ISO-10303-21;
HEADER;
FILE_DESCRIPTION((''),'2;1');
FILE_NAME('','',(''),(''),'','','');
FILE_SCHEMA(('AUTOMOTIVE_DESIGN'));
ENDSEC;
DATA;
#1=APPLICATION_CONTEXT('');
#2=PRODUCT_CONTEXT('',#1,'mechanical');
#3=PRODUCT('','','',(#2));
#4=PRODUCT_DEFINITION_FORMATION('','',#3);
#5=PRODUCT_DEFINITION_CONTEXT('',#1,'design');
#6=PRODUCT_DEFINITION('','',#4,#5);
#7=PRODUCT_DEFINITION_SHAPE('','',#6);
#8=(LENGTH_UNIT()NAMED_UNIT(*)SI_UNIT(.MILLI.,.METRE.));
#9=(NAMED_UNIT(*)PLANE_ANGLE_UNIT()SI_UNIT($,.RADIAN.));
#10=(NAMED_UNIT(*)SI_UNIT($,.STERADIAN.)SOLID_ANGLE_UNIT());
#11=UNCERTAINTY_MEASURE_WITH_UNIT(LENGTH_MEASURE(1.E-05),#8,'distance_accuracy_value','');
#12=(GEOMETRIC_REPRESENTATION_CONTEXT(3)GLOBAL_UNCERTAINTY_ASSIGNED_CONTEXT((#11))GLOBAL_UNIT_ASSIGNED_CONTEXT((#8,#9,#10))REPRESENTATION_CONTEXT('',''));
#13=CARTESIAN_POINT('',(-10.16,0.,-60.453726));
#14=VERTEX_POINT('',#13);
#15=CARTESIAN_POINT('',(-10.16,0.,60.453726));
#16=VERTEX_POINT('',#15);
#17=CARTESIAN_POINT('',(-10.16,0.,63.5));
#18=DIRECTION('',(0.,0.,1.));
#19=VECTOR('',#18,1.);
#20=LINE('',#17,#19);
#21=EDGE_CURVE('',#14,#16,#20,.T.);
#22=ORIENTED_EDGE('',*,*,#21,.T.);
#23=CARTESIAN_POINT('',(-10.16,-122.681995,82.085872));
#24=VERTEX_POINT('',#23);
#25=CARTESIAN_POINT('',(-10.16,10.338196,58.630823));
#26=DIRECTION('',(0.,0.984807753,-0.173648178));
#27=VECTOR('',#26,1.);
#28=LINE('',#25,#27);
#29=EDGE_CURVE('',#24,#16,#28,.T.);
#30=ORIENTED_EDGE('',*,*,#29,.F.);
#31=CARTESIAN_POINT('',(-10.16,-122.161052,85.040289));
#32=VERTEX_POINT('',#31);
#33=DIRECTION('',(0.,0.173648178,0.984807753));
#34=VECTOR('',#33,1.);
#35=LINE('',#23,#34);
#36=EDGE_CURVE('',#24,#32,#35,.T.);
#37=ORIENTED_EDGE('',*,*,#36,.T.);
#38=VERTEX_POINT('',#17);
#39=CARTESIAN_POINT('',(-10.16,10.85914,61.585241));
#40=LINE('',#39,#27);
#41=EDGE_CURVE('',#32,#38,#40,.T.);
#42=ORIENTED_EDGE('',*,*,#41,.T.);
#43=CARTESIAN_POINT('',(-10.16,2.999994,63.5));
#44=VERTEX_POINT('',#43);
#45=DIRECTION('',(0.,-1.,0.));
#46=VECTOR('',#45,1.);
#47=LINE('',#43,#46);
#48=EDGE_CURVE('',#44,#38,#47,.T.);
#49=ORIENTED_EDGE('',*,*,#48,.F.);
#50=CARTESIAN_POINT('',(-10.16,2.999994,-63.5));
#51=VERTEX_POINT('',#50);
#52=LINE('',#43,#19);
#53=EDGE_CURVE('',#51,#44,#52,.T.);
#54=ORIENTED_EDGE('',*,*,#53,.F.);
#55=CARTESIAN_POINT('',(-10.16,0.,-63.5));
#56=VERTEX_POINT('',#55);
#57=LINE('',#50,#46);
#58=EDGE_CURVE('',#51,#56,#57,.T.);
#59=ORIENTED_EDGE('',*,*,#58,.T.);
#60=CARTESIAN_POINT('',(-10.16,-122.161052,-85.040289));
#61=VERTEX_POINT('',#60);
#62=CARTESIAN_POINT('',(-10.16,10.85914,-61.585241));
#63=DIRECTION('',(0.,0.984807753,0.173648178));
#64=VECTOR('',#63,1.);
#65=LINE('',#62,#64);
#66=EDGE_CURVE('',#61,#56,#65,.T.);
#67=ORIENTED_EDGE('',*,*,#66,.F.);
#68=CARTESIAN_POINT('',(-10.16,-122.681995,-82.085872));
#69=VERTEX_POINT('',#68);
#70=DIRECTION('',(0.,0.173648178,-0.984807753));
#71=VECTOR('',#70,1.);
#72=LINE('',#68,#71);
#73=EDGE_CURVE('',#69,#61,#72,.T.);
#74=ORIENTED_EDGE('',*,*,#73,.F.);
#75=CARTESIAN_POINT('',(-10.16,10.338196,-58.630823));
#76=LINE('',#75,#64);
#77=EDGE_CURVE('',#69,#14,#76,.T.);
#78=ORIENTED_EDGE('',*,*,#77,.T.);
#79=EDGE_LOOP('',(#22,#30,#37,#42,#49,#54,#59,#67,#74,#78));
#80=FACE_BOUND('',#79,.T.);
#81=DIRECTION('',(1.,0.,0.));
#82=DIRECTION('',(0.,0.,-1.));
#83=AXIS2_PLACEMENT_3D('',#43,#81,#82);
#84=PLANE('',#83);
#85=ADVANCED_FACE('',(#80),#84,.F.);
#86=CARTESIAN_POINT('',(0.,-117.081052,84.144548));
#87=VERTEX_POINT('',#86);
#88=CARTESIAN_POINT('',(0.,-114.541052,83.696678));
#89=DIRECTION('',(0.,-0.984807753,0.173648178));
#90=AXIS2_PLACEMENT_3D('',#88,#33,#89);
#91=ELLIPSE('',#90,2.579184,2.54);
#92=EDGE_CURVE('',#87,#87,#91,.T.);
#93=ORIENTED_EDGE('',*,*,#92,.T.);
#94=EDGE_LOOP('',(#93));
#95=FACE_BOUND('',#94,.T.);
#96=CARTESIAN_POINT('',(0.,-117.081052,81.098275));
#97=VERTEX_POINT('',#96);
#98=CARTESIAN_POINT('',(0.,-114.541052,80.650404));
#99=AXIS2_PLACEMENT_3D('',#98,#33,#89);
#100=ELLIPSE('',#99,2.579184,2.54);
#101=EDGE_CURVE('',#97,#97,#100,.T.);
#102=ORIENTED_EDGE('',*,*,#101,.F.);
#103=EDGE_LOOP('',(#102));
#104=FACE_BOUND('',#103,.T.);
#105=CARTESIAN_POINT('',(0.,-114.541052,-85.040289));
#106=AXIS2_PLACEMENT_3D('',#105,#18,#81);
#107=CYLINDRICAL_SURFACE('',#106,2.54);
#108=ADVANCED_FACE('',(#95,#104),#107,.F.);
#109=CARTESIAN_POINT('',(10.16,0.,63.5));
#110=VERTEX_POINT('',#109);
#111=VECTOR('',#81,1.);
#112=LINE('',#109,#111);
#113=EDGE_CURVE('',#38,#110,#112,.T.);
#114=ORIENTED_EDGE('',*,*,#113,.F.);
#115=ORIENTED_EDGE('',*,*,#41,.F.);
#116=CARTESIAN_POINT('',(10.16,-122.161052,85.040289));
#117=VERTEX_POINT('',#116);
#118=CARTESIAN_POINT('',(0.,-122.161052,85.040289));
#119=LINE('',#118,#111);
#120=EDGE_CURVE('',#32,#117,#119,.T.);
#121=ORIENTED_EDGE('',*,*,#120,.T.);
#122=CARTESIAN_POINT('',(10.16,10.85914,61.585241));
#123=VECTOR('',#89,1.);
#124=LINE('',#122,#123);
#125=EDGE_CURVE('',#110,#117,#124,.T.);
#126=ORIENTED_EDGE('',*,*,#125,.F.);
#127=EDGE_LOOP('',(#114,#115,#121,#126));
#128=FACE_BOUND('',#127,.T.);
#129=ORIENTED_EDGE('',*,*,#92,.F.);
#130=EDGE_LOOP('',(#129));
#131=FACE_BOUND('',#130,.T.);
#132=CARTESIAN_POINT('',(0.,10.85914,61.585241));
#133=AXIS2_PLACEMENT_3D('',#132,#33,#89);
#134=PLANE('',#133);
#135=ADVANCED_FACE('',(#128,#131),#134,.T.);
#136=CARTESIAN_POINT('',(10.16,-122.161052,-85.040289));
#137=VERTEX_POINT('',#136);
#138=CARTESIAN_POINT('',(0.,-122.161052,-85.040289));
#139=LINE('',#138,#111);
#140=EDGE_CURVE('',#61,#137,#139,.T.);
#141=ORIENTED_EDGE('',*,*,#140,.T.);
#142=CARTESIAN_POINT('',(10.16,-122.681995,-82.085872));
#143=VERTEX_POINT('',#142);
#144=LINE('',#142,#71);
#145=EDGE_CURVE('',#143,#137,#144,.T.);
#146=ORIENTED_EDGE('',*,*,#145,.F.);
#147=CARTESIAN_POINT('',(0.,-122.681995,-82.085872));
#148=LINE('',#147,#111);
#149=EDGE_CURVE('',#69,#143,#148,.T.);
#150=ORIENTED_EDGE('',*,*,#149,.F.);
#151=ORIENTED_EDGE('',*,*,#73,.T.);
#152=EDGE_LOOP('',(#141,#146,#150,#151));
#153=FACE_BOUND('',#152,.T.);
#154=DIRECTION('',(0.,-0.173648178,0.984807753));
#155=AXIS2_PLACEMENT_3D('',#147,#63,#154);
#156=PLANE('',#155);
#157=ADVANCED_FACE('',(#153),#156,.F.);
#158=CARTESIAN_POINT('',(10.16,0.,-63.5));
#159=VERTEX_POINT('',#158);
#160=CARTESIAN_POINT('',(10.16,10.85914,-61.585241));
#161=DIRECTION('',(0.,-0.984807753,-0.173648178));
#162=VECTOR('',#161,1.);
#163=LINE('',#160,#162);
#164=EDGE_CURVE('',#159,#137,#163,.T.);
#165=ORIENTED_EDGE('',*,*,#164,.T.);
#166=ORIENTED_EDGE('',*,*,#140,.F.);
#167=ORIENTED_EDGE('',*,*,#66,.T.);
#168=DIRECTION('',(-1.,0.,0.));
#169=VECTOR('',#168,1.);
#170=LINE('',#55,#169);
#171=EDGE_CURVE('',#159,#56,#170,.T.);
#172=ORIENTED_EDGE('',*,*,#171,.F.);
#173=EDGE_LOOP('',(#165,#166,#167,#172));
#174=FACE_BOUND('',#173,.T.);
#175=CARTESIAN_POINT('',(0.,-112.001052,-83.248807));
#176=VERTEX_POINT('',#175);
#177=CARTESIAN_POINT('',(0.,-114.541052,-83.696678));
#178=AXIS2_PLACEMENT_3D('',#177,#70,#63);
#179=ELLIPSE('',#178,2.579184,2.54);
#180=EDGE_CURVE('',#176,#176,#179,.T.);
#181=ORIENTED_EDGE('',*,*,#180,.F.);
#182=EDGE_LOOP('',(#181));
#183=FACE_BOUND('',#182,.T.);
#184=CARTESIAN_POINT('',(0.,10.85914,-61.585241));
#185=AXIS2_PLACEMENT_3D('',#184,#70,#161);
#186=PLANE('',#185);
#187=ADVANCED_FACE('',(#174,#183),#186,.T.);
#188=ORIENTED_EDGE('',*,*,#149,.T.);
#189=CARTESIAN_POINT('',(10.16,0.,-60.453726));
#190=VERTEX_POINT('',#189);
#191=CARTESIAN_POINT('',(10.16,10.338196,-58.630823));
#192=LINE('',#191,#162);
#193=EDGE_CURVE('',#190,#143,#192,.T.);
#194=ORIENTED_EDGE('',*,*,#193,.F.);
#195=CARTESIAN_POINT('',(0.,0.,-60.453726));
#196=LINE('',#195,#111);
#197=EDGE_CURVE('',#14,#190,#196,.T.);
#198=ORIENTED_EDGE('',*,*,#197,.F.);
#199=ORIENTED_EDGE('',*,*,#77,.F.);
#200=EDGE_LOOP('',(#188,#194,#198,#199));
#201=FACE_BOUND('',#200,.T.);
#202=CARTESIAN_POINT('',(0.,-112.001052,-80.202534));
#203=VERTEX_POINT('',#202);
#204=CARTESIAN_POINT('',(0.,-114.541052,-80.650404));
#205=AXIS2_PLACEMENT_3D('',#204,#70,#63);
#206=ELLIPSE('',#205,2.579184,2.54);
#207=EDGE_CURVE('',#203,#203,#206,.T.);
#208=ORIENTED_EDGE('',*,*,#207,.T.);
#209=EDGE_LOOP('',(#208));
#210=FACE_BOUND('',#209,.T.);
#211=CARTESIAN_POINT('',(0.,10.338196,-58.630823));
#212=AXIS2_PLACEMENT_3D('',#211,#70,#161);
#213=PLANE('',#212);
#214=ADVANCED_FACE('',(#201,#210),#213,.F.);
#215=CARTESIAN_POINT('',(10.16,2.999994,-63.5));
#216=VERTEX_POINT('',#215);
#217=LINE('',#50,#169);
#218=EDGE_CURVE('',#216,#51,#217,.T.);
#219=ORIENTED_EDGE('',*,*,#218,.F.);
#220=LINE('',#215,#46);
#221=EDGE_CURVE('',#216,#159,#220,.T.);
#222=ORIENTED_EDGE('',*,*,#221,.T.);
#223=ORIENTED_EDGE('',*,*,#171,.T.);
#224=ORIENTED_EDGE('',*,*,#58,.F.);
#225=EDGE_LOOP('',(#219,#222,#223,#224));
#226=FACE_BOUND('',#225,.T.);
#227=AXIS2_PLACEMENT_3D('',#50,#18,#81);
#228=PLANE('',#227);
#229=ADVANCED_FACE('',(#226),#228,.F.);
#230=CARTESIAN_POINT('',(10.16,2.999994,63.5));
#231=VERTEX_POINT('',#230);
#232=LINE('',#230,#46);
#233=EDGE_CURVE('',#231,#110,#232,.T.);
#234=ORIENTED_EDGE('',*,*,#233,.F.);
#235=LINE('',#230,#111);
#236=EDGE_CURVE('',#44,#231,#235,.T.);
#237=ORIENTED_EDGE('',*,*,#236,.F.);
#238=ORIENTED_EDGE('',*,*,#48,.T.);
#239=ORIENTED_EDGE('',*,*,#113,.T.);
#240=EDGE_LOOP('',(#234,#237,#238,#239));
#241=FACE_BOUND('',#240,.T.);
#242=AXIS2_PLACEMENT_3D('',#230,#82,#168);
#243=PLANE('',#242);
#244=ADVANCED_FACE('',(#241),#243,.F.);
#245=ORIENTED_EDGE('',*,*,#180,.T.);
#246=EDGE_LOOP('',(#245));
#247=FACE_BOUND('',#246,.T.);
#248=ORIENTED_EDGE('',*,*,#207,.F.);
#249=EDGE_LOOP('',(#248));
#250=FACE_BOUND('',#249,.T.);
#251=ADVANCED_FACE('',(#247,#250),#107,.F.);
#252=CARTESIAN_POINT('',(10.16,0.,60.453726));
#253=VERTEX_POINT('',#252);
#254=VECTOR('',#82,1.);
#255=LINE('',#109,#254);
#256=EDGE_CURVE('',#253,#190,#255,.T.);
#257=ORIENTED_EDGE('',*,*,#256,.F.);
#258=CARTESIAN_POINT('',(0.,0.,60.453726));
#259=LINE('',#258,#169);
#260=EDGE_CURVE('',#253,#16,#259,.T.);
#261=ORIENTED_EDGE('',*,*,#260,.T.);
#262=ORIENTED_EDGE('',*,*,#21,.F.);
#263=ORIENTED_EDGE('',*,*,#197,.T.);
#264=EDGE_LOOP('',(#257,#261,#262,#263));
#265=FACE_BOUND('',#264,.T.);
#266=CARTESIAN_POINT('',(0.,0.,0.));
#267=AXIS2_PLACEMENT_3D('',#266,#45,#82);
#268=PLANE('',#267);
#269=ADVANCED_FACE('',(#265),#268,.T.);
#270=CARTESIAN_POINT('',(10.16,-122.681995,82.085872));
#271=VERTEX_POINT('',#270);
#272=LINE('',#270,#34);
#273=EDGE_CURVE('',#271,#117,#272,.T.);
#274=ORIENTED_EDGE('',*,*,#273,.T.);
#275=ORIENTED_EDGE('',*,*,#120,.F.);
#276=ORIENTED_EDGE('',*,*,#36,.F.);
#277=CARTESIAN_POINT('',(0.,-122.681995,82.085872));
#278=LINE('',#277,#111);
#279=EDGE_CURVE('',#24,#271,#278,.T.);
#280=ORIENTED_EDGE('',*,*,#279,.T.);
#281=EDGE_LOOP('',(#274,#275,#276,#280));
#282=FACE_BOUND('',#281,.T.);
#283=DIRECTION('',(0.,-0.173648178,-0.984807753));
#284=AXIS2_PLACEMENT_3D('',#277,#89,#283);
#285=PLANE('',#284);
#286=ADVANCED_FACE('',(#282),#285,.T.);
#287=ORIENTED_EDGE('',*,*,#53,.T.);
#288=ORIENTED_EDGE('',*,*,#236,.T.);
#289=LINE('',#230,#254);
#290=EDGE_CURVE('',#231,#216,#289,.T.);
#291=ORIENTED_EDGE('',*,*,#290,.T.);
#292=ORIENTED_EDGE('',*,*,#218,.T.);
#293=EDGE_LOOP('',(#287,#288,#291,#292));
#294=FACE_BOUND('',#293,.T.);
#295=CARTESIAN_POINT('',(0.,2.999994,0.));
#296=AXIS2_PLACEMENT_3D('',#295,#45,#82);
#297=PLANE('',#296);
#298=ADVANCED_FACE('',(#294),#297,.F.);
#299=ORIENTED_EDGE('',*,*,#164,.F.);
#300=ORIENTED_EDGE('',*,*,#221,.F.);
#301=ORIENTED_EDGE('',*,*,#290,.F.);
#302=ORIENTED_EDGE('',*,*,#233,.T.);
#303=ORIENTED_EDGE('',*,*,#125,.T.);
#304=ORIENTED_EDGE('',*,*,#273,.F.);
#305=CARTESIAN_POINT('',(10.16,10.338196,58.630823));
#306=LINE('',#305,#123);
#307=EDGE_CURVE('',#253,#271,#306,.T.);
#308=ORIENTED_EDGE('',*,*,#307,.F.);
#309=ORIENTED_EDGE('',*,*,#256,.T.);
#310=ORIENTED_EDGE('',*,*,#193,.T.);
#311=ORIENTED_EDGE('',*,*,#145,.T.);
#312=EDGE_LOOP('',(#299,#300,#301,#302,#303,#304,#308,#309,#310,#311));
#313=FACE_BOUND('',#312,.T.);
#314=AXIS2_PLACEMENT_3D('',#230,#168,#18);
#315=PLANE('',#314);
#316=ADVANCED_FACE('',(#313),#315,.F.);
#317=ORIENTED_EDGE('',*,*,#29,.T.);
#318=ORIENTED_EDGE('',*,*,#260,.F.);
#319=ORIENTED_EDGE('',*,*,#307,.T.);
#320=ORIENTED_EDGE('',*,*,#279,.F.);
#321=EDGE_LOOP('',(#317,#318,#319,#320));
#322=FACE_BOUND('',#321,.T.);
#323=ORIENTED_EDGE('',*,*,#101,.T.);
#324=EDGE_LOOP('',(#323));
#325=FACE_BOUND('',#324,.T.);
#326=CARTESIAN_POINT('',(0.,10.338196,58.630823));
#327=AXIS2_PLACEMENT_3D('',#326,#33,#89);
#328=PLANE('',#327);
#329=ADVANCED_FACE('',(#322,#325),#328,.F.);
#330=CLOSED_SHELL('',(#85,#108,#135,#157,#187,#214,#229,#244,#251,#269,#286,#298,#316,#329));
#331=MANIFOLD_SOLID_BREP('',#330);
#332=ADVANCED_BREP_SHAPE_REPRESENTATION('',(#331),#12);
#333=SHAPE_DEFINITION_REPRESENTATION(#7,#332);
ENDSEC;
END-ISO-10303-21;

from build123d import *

# Parameters (mm, degrees)
SKETCH2_W           = 20.32
SKETCH2_H           = 127
BOSS_EXTRUDE1_DEPTH = 2.999994
BOSS_EXTRUDE2_DEPTH = 2.999994
SKETCH6_R           = 2.54
CUT_EXTRUDE2_DEPTH  = 171.130289375


with BuildPart() as part:
    # Sketch2 → Boss-Extrude1 (new body)
    with BuildSketch(Plane(origin=(0, 0, 0), x_dir=(1, 0, 0), z_dir=(0, 1, 0))):
        Rectangle(SKETCH2_W, SKETCH2_H)
    extrude(amount=BOSS_EXTRUDE1_DEPTH)

    # Sketch4 → Boss-Extrude2 (add)
    with BuildSketch(Plane(origin=(0, 10.859139551, 61.58524071), x_dir=(1, 0, 0), z_dir=(0, 0.173648178, 0.984807753))):
        Polygon((10.16, -8.072241932), (-10.16, -8.072241932), (-10.16, -135.072241932), (0, -135.072241932), (10.16, -135.072241932), align=None)
    boss_extrude2 = extrude(amount=-BOSS_EXTRUDE2_DEPTH)

    # Mirror1: Boss-Extrude2 across plane
    add(boss_extrude2.mirror(Plane.XY))

    # Sketch6 → Cut-Extrude2 (cut, through all)
    with BuildSketch(Plane.XY.offset(85.09)):
        with Locations((0, -114.54105152)):
            Circle(SKETCH6_R)
    extrude(amount=-CUT_EXTRUDE2_DEPTH, mode=Mode.SUBTRACT)


solid = part.part
